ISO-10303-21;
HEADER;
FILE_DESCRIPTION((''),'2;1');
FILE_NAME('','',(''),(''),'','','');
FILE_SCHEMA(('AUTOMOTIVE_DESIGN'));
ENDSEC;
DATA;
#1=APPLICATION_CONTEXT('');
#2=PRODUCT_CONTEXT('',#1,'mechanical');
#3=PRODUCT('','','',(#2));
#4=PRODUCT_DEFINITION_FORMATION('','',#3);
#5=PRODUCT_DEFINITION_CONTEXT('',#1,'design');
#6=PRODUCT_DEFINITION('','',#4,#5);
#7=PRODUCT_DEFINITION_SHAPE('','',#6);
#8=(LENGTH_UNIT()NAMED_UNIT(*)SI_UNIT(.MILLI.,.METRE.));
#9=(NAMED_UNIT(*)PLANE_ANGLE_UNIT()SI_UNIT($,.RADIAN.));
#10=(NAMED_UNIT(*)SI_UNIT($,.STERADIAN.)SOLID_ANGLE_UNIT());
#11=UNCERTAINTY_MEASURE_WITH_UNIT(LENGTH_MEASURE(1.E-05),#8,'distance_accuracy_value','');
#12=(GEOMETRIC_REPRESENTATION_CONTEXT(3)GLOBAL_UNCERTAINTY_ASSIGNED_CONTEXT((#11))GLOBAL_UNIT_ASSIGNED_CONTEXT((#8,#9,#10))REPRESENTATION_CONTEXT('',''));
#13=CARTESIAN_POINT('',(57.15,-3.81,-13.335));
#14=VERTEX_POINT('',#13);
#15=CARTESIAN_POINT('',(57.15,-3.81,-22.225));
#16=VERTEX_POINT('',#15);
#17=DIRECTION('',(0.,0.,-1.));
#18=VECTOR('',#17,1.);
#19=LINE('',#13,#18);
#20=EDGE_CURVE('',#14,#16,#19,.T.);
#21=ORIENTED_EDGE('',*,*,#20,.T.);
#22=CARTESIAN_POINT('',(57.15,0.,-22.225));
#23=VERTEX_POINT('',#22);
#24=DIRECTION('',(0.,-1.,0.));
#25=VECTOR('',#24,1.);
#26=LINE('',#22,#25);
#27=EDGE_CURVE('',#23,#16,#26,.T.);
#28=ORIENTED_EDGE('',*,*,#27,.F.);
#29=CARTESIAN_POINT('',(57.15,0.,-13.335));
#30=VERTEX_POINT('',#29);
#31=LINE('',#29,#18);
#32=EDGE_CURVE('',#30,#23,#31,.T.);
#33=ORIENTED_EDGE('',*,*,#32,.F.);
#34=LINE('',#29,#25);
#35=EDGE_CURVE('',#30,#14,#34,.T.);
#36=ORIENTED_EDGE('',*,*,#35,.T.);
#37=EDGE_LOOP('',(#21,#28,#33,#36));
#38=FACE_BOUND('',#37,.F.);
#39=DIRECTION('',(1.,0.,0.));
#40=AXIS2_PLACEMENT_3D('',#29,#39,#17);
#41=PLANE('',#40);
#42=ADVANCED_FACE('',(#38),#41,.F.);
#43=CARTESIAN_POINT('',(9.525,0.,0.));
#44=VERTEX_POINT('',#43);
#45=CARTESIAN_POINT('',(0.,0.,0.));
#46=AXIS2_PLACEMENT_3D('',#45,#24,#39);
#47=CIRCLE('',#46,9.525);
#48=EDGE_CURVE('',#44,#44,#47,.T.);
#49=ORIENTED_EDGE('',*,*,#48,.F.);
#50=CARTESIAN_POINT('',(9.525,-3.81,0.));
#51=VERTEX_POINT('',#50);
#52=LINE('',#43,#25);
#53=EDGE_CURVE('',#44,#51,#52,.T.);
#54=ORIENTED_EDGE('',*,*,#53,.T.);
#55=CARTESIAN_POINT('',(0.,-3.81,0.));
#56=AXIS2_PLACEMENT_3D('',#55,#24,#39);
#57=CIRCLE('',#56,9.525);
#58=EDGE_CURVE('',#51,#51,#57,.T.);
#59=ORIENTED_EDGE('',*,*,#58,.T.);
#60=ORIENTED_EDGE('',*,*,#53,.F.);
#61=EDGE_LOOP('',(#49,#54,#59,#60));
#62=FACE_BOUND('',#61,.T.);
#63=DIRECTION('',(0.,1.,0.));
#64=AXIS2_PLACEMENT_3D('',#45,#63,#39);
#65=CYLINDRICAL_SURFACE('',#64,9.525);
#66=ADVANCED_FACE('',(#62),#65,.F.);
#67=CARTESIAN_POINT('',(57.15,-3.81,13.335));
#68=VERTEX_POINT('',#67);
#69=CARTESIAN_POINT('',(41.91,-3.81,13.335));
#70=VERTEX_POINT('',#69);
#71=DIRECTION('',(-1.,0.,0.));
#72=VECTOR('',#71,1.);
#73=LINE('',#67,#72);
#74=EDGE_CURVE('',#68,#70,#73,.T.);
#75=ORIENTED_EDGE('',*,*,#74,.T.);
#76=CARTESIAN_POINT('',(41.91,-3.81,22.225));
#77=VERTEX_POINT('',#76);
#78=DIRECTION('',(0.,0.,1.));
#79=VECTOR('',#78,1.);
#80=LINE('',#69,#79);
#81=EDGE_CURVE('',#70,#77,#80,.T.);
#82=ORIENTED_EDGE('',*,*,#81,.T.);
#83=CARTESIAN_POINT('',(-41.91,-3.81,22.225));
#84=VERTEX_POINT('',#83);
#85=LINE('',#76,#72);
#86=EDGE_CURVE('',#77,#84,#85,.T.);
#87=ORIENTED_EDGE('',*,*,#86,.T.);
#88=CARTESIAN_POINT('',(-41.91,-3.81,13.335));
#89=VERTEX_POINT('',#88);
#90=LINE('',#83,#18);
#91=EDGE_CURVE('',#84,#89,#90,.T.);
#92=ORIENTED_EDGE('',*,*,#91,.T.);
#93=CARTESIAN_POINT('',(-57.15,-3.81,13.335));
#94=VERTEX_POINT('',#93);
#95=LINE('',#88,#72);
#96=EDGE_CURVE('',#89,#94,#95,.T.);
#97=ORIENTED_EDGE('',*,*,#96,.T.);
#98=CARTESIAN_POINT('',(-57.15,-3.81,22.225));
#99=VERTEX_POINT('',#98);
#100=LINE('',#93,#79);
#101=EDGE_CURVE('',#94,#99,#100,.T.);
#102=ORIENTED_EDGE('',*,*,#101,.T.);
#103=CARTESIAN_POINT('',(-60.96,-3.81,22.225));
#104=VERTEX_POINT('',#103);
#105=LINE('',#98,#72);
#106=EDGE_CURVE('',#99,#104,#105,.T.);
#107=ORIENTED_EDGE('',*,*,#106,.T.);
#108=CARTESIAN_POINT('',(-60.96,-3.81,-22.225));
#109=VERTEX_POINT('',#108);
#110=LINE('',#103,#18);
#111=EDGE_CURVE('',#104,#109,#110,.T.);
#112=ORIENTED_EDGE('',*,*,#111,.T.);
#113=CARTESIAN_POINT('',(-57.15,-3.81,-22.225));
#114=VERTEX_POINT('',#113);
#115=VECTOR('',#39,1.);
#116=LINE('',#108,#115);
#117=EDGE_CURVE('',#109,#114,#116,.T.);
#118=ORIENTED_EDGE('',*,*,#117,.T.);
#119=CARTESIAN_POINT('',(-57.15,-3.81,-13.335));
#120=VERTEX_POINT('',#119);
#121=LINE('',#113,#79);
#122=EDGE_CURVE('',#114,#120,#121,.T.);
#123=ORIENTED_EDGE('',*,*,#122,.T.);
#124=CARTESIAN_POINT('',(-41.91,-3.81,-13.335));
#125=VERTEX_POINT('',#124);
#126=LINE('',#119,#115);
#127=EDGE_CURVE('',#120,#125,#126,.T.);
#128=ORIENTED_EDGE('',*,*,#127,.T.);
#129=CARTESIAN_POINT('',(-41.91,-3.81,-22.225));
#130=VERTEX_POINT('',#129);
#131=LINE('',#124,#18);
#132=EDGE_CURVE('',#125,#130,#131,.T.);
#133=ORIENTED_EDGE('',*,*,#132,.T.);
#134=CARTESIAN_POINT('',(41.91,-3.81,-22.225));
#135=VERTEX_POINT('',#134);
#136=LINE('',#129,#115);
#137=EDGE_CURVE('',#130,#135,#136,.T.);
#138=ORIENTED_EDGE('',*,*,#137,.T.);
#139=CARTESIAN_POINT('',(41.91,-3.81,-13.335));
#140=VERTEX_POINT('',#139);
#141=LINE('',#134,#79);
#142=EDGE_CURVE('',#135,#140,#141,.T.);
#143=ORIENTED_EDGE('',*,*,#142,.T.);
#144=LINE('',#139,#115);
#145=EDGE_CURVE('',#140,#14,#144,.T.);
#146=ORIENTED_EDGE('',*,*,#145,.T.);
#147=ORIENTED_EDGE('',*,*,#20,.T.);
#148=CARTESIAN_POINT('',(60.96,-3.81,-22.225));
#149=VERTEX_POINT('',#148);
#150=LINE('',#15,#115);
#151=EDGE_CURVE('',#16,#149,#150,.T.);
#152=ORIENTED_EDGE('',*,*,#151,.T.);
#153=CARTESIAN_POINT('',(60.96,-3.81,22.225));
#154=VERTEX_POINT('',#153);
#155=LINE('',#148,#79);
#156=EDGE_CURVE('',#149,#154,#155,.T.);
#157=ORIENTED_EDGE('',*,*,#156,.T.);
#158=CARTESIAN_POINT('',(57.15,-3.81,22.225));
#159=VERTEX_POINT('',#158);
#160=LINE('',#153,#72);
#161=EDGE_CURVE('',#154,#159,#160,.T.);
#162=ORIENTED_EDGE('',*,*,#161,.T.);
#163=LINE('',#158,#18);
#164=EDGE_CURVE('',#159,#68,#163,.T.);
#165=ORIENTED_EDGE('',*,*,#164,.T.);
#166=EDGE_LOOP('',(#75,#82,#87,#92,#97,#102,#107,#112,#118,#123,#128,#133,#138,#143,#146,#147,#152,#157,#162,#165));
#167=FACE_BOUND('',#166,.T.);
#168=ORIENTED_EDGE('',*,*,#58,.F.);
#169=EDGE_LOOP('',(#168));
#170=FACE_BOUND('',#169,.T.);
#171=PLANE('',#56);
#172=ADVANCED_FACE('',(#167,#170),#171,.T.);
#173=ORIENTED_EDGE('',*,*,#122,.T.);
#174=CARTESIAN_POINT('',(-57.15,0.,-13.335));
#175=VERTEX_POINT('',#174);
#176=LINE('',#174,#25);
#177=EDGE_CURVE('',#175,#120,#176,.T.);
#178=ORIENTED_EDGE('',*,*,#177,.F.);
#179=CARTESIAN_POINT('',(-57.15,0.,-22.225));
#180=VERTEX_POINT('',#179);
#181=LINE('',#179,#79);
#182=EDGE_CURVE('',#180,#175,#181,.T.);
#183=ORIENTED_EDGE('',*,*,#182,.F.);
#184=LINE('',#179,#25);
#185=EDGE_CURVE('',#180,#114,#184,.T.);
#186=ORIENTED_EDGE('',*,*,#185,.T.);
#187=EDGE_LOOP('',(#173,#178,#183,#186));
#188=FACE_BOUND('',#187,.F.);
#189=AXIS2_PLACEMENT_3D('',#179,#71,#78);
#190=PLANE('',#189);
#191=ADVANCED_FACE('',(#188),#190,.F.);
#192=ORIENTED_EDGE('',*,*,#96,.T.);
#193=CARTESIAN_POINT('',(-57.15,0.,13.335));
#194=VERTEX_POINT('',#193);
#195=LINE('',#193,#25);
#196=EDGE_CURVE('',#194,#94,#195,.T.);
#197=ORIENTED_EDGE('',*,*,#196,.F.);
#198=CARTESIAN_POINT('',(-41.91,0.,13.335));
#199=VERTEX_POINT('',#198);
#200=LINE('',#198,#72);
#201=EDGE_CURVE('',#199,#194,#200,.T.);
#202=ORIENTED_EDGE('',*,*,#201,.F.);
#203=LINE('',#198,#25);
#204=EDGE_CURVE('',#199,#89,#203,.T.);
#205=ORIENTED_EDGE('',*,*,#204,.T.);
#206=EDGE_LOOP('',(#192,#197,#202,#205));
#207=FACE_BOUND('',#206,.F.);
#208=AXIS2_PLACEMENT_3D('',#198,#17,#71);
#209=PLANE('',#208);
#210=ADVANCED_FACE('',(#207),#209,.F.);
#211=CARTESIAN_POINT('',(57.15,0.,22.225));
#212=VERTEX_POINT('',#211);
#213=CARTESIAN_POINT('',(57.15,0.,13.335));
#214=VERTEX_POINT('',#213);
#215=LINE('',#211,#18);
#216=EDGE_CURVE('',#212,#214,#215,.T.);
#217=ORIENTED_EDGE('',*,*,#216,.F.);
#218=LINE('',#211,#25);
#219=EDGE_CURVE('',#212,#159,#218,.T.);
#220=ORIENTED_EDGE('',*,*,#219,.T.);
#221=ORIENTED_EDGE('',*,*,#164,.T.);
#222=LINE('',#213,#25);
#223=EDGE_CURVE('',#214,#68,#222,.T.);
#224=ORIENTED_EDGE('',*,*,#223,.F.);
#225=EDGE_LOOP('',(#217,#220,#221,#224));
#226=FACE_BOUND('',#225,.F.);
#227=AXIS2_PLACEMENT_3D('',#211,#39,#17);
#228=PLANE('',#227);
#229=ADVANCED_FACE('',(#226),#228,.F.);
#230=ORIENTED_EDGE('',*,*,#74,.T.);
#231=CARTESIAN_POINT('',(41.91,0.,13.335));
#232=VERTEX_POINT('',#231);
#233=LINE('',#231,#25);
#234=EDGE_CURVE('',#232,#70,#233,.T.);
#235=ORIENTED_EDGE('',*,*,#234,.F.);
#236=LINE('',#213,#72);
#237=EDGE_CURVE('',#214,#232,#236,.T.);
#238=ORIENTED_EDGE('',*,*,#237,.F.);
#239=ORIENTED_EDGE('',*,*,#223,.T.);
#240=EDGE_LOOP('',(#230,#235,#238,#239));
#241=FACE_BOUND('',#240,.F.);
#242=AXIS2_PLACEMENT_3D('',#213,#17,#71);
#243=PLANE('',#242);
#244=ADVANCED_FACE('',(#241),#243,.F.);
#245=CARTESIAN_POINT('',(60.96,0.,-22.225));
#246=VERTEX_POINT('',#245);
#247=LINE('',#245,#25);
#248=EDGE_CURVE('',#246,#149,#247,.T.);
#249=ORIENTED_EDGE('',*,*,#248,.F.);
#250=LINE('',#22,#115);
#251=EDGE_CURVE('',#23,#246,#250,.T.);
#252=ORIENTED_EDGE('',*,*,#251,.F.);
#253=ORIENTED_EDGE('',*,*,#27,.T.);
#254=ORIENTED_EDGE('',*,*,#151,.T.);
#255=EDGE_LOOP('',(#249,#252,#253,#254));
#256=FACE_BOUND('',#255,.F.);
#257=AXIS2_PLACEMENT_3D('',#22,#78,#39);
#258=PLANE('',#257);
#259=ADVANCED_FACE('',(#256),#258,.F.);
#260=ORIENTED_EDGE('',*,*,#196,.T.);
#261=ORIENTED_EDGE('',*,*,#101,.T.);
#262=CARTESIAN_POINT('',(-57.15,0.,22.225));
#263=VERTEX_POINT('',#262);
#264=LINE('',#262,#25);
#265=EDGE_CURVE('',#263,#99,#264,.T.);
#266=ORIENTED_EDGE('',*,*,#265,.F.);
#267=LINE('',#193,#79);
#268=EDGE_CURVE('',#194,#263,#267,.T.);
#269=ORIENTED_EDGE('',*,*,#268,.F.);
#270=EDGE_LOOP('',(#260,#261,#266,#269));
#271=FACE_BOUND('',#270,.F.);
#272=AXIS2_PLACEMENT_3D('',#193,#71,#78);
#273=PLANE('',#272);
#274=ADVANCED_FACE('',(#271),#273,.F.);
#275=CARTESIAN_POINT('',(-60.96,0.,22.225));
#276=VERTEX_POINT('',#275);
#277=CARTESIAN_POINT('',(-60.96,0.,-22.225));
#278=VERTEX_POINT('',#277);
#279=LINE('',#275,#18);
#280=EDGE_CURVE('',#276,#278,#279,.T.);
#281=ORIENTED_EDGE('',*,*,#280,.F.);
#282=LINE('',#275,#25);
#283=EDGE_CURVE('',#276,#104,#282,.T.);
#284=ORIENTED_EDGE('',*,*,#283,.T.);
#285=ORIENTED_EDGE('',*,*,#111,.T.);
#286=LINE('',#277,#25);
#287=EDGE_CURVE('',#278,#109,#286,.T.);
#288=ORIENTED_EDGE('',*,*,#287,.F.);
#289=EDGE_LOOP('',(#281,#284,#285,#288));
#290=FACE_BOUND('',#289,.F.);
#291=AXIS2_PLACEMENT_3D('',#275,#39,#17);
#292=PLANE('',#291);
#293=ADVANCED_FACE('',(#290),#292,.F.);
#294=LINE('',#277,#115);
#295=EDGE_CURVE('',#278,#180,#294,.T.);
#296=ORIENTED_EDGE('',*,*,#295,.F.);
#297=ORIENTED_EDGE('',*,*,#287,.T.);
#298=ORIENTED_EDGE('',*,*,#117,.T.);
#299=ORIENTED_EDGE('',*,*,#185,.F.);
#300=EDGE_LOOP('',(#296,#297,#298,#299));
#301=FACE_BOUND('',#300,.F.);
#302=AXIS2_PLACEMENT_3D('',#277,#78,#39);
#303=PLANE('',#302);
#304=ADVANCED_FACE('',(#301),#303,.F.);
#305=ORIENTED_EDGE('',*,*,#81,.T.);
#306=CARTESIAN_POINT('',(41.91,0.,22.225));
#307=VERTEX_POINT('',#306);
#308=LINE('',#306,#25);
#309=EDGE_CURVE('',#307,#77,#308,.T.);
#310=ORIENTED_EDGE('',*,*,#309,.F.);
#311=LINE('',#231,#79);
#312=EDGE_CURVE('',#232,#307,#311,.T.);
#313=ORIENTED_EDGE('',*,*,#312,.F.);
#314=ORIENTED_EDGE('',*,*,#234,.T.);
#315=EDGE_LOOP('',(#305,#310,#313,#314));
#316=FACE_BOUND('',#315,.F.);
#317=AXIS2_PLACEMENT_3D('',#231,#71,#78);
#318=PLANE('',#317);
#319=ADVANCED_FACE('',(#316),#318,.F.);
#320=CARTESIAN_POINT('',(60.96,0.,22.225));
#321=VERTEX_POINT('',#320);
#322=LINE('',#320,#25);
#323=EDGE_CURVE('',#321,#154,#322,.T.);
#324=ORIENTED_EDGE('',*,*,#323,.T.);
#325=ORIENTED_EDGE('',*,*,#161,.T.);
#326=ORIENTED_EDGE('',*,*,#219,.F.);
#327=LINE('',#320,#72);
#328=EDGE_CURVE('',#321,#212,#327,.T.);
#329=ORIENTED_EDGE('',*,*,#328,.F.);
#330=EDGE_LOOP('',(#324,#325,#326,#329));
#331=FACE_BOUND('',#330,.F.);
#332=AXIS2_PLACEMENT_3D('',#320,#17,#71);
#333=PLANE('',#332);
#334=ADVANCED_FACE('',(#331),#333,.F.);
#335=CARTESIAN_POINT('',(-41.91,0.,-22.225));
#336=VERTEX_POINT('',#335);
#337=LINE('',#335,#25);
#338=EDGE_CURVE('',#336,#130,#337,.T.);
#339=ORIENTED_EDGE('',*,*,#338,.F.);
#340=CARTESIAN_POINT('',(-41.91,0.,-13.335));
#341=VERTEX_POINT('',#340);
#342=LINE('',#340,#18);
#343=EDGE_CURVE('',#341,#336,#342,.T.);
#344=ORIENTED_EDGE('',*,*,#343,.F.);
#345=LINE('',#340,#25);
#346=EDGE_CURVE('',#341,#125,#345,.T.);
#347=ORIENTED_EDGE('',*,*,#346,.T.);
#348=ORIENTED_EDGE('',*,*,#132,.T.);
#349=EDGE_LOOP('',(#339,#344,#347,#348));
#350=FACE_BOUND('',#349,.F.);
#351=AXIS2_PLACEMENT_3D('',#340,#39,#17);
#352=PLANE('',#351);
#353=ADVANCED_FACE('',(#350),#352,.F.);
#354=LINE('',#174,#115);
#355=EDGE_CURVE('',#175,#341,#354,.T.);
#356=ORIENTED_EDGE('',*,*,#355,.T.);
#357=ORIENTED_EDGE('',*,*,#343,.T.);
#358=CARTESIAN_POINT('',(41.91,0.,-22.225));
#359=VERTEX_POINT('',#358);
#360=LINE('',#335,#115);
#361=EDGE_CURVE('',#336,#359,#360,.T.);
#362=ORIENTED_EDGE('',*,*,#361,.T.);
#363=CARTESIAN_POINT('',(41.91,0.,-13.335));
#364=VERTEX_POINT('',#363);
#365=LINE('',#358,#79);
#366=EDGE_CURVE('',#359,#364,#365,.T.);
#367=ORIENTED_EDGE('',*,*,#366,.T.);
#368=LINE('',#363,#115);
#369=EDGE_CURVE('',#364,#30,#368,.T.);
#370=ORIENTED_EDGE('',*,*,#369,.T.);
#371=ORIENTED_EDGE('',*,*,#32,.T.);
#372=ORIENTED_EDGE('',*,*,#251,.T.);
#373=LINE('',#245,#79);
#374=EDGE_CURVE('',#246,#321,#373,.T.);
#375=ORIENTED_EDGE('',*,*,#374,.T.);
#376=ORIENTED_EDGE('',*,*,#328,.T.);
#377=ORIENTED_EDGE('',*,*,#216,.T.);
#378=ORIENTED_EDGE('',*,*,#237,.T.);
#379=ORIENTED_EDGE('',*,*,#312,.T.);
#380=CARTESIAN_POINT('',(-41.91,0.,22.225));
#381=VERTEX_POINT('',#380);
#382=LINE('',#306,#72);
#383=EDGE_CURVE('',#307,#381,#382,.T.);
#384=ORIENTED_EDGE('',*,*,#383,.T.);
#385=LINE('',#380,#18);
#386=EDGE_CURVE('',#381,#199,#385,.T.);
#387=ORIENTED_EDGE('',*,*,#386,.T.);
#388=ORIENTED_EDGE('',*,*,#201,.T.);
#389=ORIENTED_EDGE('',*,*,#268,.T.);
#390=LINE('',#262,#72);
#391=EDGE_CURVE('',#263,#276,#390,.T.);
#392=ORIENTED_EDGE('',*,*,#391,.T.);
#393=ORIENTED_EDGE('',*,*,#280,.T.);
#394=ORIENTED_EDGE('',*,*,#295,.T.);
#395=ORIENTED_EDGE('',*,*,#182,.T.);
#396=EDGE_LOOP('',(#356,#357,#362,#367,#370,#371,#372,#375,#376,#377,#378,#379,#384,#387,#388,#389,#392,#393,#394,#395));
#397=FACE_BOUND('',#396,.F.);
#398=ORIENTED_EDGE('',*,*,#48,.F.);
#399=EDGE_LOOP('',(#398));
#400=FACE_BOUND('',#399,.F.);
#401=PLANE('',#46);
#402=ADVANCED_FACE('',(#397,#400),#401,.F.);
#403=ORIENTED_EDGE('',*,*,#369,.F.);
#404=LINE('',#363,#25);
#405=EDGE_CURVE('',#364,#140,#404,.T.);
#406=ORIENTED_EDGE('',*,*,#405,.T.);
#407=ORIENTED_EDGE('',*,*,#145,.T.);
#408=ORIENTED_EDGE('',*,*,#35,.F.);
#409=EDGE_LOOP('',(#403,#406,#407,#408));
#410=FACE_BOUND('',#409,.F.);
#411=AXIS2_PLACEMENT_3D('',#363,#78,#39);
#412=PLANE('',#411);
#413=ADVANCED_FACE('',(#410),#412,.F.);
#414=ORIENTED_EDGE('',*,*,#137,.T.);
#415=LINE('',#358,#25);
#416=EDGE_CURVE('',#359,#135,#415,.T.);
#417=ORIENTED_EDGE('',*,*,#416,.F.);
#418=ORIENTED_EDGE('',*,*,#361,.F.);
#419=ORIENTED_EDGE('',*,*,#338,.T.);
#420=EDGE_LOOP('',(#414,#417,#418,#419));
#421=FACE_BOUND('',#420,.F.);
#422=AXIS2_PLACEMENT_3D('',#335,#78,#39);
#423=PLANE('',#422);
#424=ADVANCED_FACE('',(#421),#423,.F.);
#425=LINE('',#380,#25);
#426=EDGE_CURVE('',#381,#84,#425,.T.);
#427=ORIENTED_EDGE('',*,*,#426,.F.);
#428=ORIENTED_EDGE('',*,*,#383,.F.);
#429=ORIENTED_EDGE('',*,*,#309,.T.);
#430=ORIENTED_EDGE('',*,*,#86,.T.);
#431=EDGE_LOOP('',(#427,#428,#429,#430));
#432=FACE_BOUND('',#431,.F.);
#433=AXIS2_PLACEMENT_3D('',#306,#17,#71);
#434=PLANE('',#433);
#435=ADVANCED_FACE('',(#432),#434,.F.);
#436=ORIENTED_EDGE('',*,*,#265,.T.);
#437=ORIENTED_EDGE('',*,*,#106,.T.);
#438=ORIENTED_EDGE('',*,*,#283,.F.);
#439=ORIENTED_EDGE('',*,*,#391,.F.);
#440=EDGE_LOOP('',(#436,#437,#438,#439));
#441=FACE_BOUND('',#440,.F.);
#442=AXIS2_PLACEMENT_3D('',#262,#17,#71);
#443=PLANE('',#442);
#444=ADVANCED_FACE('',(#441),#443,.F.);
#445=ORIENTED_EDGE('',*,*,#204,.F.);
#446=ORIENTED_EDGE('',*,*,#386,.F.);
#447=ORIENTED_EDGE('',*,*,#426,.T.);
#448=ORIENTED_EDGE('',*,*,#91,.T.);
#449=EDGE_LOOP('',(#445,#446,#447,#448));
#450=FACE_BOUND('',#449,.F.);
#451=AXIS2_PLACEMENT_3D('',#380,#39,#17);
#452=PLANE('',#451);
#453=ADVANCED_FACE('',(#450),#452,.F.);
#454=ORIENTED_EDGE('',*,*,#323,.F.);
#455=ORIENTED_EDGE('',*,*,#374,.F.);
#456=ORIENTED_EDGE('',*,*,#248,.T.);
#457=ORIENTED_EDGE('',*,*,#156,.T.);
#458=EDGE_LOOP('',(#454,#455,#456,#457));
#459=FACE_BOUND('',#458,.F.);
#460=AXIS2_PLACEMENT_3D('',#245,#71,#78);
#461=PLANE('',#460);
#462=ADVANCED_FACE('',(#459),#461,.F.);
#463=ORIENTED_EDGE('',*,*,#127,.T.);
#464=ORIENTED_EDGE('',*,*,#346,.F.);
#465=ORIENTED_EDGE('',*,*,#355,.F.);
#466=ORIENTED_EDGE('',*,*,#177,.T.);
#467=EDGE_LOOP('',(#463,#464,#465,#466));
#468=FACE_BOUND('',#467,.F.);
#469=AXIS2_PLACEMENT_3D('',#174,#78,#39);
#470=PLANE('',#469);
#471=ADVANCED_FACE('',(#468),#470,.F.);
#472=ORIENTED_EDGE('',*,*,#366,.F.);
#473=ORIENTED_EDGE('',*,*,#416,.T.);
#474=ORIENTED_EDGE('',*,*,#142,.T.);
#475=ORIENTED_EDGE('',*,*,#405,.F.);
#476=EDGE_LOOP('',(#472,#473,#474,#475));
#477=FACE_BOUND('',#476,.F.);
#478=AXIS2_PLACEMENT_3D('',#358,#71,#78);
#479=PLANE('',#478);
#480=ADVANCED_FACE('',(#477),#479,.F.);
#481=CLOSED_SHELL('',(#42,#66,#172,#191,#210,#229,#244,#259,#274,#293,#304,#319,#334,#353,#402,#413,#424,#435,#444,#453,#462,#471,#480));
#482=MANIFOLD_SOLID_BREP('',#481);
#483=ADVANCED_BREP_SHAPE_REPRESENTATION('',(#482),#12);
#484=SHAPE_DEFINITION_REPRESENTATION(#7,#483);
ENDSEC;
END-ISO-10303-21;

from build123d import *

# Parameters (mm, degrees)
F0_R     = 9.525
F1_DEPTH = 3.81


with BuildPart() as f1:
    # F0 (on Front) → F1 (new body)
    with BuildSketch(Plane.XZ):
        Polygon((57.15, -22.225), (60.96, -22.225), (60.96, 22.225), (57.15, 22.225), (57.15, 13.335), (41.91, 13.335), (41.91, 22.225), (-41.91, 22.225), (-41.91, 13.335), (-57.15, 13.335), (-57.15, 22.225), (-60.96, 22.225), (-60.96, -22.225), (-57.15, -22.225), (-57.15, -13.335), (-41.91, -13.335), (-41.91, -22.225), (41.91, -22.225), (41.91, -13.335), (57.15, -13.335), align=None)
        Circle(F0_R, mode=Mode.SUBTRACT)
    extrude(amount=F1_DEPTH)


solid = f1.part
